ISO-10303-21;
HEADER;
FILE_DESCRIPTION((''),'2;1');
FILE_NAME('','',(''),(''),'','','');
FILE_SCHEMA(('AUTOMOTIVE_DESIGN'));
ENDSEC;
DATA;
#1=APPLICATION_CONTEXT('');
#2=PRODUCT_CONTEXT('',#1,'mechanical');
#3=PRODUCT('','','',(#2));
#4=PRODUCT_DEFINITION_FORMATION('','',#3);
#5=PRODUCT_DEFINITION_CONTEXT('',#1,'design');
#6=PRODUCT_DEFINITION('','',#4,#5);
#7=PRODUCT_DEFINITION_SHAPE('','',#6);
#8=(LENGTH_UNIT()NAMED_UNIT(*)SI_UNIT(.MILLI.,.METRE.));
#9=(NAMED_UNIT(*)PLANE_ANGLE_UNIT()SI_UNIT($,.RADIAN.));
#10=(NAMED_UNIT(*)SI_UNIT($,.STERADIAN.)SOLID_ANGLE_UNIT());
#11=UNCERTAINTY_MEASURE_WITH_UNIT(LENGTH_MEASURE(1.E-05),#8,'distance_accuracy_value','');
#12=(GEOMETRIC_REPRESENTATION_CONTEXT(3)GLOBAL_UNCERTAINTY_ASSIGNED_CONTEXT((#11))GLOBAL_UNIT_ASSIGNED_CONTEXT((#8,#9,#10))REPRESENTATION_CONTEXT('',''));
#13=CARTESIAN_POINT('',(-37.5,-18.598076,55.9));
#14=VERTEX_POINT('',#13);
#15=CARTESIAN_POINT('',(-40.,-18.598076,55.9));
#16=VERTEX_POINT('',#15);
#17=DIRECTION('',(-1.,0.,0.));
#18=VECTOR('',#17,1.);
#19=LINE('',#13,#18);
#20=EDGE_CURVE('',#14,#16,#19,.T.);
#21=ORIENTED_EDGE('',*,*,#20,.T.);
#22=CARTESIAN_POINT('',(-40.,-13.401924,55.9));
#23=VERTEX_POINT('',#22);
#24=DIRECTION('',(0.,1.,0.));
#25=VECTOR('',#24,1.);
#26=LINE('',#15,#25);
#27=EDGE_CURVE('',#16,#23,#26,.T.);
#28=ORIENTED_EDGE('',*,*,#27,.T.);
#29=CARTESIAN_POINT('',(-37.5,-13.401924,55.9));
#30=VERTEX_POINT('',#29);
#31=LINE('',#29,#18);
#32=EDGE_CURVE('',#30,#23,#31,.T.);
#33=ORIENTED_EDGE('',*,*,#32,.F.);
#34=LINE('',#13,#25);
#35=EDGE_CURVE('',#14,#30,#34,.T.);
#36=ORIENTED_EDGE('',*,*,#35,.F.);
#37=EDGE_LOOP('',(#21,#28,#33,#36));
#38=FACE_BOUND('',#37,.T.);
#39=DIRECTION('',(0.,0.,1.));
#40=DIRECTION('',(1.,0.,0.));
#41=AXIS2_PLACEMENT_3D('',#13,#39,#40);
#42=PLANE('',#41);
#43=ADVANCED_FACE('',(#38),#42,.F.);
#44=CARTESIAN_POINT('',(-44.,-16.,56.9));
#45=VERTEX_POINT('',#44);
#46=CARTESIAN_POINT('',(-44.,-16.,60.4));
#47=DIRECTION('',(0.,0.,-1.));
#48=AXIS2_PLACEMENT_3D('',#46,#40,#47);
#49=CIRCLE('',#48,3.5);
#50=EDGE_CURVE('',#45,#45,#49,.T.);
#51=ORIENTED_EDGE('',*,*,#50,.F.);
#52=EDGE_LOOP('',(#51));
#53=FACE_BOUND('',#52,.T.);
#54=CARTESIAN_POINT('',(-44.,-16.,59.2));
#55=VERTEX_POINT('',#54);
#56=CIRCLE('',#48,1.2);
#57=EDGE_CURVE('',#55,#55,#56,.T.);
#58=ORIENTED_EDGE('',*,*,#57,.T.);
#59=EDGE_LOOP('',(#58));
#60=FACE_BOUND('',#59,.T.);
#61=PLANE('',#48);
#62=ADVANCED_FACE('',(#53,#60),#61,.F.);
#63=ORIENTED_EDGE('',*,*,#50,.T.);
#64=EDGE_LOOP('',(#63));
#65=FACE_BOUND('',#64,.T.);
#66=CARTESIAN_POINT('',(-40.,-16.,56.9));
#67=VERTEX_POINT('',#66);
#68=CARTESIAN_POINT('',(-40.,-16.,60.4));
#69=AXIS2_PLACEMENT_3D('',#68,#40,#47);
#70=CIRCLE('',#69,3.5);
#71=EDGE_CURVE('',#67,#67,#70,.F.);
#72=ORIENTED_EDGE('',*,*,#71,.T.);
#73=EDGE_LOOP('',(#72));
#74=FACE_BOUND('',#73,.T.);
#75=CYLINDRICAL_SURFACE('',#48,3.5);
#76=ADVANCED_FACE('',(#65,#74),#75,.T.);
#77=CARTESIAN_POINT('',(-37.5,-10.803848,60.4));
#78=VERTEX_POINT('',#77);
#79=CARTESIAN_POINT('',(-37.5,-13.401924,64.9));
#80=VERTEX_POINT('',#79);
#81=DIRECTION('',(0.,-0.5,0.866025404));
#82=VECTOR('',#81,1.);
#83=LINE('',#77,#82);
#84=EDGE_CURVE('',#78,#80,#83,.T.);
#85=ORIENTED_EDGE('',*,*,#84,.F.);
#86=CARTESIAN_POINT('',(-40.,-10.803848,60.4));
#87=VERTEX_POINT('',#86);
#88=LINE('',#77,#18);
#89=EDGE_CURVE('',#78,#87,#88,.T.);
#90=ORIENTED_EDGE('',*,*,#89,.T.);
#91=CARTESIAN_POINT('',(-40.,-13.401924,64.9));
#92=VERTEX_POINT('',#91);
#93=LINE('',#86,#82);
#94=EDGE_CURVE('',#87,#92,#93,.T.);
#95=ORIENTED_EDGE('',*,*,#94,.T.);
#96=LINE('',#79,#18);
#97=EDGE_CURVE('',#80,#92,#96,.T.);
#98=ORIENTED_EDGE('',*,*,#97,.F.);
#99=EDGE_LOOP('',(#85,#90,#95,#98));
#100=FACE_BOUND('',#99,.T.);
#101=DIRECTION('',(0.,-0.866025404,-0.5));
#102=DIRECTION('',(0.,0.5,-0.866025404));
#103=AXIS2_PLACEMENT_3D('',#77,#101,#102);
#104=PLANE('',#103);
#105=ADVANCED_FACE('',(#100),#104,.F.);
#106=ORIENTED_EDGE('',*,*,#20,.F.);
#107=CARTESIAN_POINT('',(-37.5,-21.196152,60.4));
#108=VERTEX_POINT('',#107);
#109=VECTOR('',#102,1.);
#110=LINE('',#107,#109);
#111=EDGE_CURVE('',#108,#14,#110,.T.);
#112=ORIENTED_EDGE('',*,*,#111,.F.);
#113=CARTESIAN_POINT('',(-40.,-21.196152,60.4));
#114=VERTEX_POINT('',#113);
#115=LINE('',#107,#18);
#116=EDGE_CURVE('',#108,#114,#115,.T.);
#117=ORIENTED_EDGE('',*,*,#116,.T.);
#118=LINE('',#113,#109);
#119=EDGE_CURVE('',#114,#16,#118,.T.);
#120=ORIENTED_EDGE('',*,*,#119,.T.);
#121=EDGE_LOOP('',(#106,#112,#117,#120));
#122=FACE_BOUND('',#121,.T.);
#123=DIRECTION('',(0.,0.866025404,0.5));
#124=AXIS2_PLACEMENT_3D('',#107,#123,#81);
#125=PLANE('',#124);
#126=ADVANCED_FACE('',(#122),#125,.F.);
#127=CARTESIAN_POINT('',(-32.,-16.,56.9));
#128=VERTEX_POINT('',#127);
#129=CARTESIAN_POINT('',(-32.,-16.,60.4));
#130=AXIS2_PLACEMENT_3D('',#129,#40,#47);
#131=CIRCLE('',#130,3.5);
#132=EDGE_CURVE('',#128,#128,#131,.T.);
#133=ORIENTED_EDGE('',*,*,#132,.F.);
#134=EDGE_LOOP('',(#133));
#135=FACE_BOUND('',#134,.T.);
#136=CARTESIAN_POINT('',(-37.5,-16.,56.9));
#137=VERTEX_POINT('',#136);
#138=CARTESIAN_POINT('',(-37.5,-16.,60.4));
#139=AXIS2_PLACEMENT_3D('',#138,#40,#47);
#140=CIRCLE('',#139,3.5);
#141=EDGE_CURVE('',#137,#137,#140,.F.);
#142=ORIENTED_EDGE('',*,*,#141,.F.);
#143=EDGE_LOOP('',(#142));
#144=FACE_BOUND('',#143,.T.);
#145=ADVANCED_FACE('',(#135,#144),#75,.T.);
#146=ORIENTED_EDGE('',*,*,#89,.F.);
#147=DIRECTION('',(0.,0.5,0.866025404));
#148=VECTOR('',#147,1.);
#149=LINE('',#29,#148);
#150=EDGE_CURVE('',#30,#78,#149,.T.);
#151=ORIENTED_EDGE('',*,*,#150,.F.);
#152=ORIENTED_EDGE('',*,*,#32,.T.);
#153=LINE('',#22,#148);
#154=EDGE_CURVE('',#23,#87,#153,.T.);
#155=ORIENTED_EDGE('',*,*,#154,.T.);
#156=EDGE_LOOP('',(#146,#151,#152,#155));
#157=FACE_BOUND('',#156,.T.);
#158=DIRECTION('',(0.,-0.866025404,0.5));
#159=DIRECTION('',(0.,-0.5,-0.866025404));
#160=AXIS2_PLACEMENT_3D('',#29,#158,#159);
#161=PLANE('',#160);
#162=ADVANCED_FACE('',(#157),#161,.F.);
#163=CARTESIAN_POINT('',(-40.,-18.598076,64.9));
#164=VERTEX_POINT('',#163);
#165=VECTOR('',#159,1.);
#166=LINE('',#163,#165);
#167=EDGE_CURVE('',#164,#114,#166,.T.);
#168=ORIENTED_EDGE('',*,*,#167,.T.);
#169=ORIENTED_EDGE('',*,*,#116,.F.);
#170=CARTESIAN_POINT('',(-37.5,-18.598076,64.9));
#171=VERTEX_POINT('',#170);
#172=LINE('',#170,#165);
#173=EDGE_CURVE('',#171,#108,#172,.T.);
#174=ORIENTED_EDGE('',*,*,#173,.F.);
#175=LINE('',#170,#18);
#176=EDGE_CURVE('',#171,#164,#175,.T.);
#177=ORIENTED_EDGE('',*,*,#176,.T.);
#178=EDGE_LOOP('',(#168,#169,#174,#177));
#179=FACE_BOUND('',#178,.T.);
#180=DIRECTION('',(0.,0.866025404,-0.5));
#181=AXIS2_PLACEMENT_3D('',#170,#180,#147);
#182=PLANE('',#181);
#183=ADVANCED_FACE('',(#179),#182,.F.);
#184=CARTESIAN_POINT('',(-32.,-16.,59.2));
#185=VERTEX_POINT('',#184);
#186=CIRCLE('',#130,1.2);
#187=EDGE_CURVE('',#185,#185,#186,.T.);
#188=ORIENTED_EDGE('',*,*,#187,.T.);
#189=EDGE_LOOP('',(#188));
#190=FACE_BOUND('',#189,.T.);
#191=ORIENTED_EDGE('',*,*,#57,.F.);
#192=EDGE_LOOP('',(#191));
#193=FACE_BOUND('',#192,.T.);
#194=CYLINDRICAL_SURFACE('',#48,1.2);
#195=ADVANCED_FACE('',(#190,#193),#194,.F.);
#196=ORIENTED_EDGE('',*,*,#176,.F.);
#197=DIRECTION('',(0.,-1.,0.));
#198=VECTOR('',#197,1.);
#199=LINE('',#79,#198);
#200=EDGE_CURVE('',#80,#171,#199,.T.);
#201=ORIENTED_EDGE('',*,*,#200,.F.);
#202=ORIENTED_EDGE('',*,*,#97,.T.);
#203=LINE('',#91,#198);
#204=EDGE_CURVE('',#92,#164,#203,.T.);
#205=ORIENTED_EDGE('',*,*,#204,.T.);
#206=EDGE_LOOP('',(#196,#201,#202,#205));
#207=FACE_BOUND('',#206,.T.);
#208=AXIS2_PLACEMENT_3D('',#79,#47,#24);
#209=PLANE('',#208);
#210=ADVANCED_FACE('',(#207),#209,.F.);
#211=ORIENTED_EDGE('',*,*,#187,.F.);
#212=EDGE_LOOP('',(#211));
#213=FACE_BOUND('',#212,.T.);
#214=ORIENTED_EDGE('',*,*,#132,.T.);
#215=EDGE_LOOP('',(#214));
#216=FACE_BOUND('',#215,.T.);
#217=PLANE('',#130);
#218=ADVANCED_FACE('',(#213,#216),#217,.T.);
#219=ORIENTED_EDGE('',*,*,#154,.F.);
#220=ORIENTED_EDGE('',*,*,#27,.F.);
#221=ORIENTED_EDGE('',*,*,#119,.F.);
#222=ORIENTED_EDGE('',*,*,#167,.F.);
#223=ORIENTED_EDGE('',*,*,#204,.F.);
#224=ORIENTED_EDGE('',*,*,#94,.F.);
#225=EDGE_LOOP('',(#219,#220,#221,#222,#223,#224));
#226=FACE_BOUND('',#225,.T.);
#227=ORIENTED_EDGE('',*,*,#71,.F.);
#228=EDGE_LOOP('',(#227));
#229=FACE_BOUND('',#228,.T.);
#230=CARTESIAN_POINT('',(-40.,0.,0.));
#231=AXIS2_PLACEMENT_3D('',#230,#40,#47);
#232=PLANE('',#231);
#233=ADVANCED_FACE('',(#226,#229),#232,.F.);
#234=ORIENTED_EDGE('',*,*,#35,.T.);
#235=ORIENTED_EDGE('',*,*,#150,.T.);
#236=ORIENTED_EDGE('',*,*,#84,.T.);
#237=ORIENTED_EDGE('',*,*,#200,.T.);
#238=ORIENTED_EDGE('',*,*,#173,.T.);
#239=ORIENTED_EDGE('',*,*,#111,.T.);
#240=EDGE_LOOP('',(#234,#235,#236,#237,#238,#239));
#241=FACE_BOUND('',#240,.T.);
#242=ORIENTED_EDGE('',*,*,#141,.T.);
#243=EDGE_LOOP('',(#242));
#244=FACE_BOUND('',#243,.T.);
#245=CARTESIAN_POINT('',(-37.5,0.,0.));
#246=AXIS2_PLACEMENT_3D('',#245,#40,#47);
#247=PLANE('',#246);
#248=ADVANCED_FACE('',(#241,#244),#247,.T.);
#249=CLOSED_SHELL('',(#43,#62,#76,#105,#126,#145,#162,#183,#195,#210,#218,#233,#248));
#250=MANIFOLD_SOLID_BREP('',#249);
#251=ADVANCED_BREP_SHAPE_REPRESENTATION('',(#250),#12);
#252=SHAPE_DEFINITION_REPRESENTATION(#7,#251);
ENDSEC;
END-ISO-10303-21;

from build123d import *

# Parameters (mm, degrees)
SK_BARRIL_R        = 3.5
SK_BARRIL_R_2      = 1.2
BARRIL_DEPTH       = 12
CONTRATUERCA_START = 2.5
SK_CONTRATUERCA_R  = 1.2
CONTRATUERCA_DEPTH = 2.5


with BuildPart() as part:
    # Sk_barril → Barril (new body)
    with BuildSketch(Plane(origin=(-32, 0, 0), x_dir=(0, 0, -1), z_dir=(1, 0, 0))):
        with Locations((-60.4, -16)):
            Circle(SK_BARRIL_R)
        with Locations((-60.4, -16)):
            Circle(SK_BARRIL_R_2, mode=Mode.SUBTRACT)
    extrude(amount=-BARRIL_DEPTH)

    # Sk_contratuerca → Contratuerca (add)
    with BuildSketch(Plane(origin=(-40, 0, 0), x_dir=(0, 0, -1), z_dir=(1, 0, 0)).offset(CONTRATUERCA_START)):
        Polygon((-60.4, -10.803847577), (-64.9, -13.401923789), (-64.9, -18.598076211), (-60.4, -21.196152423), (-55.9, -18.598076211), (-55.9, -13.401923789), align=None)
        with Locations((-60.4, -16)):
            Circle(SK_CONTRATUERCA_R, mode=Mode.SUBTRACT)
    extrude(amount=-CONTRATUERCA_DEPTH)


solid = part.part
